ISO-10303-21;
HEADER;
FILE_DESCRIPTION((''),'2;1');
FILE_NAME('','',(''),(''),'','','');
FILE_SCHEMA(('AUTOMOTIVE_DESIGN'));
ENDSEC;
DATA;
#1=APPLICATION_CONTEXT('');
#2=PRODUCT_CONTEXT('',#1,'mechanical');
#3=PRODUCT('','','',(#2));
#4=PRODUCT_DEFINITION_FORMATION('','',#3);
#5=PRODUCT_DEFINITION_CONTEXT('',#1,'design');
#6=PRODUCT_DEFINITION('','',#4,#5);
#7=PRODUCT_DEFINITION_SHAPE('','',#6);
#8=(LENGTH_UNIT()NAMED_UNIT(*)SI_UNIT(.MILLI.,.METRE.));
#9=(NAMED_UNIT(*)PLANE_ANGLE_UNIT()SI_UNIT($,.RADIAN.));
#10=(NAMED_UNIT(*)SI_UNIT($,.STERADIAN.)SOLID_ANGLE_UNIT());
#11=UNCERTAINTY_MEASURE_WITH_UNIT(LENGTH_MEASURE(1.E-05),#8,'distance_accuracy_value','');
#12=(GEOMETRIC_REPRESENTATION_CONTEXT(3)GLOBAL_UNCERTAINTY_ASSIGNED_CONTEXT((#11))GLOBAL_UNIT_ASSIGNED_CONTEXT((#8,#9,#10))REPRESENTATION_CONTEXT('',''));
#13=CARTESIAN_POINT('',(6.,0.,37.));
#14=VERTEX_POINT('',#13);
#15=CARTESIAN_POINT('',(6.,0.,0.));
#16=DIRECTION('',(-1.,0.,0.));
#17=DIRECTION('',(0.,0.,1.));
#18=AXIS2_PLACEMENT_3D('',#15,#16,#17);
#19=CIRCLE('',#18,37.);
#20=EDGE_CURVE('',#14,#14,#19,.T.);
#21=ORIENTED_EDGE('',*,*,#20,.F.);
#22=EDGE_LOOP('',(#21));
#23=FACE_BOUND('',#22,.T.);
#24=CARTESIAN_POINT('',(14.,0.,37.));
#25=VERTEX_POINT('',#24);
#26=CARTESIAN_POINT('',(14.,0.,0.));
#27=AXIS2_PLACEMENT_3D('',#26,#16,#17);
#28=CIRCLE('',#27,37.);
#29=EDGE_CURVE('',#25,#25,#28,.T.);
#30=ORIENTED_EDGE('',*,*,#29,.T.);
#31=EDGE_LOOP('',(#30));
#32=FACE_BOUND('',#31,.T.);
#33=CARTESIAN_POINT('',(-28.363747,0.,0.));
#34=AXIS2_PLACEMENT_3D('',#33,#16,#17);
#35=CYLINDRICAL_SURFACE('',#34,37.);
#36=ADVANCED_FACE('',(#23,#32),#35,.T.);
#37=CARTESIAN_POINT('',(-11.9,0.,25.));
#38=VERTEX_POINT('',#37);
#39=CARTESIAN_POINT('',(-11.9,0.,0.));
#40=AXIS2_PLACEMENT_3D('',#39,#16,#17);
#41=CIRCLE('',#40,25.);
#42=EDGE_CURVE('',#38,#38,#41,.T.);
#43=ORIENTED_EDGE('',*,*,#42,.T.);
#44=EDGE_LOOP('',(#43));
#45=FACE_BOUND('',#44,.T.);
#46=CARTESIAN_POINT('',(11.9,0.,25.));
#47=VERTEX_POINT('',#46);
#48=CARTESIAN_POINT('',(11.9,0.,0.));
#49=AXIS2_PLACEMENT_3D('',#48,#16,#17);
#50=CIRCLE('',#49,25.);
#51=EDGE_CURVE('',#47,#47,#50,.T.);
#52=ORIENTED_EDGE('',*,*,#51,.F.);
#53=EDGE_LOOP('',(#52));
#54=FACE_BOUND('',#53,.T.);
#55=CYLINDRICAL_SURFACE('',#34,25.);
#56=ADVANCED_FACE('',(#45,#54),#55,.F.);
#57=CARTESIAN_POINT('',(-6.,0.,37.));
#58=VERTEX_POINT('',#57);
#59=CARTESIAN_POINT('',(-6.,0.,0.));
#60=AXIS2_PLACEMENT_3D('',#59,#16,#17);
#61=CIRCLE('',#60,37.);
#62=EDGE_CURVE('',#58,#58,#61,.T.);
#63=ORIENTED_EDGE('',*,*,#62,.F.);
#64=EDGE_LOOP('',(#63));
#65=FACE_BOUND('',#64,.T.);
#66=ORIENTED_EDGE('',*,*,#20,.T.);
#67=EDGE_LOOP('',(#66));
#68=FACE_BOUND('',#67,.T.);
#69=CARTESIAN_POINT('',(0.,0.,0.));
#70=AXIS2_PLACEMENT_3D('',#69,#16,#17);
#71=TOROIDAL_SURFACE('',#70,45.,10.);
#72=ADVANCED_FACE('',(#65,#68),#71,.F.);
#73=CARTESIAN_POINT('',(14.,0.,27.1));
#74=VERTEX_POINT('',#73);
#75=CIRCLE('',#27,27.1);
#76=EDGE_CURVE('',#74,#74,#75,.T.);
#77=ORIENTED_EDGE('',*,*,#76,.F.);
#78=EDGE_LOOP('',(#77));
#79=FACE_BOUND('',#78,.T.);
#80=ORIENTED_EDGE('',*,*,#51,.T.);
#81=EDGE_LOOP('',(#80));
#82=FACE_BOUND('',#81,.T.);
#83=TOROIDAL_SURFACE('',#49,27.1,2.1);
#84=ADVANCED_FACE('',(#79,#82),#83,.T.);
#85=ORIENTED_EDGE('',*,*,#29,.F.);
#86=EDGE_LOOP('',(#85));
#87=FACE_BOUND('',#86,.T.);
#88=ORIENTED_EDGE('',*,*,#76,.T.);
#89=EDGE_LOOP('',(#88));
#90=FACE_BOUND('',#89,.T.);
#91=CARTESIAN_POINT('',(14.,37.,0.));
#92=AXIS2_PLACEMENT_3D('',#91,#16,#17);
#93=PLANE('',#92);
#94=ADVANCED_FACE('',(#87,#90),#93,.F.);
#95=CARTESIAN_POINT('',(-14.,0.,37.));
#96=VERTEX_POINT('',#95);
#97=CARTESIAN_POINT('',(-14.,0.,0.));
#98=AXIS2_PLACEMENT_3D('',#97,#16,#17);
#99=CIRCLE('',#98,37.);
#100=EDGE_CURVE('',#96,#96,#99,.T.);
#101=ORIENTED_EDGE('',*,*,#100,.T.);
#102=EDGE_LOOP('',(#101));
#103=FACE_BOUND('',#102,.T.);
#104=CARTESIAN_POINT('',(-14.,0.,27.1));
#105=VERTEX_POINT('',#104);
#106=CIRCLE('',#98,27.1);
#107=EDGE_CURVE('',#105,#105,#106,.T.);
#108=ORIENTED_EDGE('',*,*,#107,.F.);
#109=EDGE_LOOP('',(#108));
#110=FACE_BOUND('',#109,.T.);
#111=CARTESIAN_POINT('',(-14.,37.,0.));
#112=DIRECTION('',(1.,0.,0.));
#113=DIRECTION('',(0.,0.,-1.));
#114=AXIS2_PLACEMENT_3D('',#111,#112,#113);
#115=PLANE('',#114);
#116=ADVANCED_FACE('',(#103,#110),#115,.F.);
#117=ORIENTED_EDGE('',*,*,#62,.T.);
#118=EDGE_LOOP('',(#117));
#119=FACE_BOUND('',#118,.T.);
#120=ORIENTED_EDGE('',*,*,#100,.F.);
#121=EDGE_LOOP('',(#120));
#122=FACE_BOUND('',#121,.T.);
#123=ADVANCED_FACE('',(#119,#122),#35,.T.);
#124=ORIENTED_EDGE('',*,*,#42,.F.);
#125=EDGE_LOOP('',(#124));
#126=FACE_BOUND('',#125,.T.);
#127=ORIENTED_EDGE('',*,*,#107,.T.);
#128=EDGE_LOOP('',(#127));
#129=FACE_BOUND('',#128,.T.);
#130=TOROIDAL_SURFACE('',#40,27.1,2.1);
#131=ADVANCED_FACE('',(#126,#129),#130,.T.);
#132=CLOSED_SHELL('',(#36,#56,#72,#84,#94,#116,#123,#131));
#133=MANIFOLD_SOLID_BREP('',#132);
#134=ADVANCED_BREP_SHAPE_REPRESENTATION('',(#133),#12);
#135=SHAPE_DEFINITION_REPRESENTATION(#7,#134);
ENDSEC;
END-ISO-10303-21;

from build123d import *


with BuildPart() as part:
    # Sketch1 → Revolve1 (revolve)
    with BuildSketch(Plane.XY, mode=Mode.PRIVATE) as revolve1_sk:
        with BuildLine():
            Line((-14, 37), (-6, 37))
            ThreePointArc((-6, 37), (0, 35), (6, 37))
            Line((6, 37), (14, 37))
            Line((14, 37), (14, 27.1))
            ThreePointArc((14, 27.1), (13.38492424, 25.61507576), (11.9, 25))
            Line((11.9, 25), (-11.9, 25))
            ThreePointArc((-11.9, 25), (-13.38492424, 25.61507576), (-14, 27.1))
            Line((-14, 27.1), (-14, 37))
        make_face()
    revolve(revolve1_sk.sketch.rotate(Axis((-28.363747057, 0, 0), (1, 0, 0)), 90), axis=Axis((-28.363747057, 0, 0), (1, 0, 0)))


solid = part.part
